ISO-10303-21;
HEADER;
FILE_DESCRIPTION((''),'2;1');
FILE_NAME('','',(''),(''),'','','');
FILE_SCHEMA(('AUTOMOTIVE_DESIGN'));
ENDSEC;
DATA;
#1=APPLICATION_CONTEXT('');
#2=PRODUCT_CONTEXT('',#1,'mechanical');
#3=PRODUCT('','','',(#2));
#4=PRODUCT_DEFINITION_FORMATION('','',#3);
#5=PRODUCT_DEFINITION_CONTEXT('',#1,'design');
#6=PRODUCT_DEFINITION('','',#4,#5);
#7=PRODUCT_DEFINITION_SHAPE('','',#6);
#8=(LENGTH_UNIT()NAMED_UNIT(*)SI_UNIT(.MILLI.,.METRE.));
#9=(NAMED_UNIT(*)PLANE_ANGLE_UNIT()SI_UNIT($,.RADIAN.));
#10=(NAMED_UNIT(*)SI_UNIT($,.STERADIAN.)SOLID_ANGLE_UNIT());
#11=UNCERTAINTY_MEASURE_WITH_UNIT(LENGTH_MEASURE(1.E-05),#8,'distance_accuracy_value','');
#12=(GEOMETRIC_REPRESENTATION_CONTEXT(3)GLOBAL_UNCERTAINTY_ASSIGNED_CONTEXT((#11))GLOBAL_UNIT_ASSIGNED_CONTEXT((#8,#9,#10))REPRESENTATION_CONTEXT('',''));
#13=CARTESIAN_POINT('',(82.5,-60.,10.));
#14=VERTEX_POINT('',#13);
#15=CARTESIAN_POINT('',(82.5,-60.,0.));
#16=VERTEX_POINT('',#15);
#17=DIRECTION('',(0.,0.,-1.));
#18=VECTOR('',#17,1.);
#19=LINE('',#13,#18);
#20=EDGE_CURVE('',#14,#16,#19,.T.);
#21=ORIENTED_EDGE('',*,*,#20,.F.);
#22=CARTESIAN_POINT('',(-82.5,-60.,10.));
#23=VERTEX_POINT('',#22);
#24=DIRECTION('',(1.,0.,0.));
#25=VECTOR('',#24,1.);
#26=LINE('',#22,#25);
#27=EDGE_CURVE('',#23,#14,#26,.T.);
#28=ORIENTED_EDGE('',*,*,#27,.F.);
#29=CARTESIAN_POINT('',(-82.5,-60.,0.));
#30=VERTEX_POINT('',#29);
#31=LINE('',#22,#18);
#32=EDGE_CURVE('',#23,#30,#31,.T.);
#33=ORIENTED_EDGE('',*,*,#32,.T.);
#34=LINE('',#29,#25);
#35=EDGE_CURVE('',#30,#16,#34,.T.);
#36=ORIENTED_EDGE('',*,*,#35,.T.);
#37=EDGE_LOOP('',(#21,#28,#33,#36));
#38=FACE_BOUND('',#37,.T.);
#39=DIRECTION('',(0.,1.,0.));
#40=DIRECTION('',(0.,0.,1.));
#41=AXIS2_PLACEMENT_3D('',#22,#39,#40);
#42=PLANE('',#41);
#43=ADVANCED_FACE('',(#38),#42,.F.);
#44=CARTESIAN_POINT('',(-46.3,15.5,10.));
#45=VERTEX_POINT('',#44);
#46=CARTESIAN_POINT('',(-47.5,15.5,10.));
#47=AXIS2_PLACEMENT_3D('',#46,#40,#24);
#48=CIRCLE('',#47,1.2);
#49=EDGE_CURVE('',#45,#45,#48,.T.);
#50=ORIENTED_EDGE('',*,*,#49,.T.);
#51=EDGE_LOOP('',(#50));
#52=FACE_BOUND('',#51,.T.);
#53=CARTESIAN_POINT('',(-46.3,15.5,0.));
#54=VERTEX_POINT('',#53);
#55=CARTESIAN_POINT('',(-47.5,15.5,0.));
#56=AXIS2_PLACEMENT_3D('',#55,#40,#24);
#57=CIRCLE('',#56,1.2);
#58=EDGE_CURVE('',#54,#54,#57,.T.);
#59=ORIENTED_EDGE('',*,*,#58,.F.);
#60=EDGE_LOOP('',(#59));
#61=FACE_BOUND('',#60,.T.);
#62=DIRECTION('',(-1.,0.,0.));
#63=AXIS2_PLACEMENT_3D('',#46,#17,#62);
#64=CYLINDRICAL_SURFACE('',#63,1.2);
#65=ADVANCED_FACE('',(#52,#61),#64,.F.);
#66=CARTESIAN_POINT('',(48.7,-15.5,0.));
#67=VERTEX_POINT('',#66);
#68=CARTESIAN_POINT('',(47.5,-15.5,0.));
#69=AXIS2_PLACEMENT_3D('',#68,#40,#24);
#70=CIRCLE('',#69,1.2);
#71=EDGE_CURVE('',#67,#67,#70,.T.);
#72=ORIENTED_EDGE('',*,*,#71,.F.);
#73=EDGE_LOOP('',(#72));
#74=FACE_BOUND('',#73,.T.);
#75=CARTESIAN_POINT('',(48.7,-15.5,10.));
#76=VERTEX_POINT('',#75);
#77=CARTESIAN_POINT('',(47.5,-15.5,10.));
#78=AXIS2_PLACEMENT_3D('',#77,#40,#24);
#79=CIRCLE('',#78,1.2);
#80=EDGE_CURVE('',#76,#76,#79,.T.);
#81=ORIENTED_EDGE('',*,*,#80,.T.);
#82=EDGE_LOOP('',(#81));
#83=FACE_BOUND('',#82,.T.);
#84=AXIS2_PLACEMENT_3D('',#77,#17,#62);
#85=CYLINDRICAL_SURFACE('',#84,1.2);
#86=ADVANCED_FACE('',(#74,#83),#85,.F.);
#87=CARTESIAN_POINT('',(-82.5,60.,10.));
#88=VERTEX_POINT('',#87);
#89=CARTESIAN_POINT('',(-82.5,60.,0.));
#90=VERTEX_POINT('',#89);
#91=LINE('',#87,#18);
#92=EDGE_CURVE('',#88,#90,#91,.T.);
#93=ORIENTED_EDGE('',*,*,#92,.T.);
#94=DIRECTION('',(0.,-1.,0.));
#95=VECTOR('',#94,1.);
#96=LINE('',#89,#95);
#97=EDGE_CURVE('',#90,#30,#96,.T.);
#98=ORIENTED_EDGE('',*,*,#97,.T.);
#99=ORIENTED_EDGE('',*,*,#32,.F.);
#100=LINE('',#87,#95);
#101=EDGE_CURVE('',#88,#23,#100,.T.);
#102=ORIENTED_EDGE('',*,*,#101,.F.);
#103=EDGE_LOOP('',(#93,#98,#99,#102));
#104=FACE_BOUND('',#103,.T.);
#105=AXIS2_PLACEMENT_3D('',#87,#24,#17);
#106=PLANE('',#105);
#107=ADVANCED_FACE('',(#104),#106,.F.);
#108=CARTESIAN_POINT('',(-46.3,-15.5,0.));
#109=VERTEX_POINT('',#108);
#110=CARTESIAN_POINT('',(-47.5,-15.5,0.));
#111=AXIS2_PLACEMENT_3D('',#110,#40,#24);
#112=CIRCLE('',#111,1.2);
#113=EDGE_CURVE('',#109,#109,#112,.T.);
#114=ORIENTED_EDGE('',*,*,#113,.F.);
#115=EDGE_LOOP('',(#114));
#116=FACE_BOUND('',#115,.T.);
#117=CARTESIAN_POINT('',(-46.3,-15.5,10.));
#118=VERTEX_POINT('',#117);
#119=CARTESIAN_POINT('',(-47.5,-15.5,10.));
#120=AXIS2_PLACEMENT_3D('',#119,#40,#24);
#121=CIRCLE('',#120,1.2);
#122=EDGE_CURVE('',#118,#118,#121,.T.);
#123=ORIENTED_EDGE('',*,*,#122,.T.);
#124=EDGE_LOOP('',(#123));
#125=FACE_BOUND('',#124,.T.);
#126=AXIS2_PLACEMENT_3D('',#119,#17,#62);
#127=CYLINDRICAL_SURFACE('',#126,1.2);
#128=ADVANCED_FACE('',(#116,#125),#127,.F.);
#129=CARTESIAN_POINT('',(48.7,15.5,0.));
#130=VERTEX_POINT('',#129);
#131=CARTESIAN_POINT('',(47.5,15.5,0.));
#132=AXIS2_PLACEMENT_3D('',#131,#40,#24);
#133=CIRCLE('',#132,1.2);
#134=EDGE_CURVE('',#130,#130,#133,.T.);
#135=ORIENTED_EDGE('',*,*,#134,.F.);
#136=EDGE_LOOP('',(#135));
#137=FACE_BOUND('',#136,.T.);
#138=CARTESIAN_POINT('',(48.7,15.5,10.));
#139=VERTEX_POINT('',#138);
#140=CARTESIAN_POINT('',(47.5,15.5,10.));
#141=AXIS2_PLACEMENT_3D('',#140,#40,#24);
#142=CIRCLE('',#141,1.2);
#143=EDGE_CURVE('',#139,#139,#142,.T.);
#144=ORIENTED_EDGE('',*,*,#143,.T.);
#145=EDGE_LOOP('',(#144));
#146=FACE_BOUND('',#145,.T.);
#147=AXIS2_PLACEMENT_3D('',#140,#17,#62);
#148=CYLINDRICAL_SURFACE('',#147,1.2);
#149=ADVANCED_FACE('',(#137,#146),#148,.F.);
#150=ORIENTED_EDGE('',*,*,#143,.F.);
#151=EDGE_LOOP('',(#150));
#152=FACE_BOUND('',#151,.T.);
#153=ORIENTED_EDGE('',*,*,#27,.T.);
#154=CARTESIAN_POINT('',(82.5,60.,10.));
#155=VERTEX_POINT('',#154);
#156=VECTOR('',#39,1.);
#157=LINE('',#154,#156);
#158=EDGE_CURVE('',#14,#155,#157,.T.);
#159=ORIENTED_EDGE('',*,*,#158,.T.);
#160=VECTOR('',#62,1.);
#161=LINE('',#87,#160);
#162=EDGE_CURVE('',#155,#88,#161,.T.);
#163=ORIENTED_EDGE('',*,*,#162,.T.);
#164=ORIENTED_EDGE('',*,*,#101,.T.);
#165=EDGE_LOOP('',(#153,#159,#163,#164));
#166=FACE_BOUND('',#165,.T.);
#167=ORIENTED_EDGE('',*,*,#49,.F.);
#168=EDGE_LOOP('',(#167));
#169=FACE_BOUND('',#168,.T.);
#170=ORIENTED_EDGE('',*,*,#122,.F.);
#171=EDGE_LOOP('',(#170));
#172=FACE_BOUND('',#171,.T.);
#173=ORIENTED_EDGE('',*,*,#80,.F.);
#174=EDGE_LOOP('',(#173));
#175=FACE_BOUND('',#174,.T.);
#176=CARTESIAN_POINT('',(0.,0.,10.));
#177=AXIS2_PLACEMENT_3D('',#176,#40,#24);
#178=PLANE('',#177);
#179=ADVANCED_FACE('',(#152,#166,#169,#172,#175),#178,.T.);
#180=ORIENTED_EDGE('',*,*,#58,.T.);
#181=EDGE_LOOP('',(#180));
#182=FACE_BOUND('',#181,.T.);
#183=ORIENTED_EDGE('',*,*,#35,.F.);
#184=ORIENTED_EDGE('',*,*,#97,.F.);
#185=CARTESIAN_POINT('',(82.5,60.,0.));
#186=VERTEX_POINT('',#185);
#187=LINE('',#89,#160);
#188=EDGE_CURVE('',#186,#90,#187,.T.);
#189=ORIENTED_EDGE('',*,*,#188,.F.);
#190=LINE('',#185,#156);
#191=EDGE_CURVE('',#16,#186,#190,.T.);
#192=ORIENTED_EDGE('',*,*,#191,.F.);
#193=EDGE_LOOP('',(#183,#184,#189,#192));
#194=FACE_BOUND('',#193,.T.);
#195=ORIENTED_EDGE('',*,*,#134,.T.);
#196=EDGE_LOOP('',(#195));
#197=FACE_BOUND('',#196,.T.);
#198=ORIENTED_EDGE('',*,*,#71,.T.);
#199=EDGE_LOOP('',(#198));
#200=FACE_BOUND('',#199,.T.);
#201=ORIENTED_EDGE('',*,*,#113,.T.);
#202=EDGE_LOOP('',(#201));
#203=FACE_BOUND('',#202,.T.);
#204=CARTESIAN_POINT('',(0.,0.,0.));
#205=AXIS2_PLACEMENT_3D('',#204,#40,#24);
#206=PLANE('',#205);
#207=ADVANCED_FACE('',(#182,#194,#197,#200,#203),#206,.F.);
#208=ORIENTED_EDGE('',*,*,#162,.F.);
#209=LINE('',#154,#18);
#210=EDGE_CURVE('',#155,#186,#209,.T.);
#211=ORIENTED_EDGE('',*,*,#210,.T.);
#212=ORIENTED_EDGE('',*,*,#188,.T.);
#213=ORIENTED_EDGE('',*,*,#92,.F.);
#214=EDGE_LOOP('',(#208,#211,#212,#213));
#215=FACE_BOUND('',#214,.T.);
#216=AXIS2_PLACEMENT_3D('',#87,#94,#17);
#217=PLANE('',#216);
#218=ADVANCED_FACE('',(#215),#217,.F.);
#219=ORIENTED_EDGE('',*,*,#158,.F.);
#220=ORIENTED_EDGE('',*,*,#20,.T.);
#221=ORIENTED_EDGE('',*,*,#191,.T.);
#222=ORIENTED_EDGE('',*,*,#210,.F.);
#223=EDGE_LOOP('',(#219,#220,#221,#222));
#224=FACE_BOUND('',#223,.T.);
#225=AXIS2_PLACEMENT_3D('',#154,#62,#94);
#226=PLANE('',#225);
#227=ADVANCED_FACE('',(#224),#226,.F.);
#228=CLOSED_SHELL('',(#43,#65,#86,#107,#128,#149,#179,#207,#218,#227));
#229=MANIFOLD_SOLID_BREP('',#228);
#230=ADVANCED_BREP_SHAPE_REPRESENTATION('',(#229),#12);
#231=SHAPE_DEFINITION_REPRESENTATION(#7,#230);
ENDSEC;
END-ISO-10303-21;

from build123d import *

# Parameters (mm, degrees)
SKETCH1_W           = 165
SKETCH1_H           = 120
SKETCH1_R           = 1.2
BOSS_EXTRUDE1_DEPTH = 10


with BuildPart() as part:
    # Sketch1 → Boss-Extrude1 (new body)
    with BuildSketch(Plane.XY):
        Rectangle(SKETCH1_W, SKETCH1_H)
        with Locations((-47.5, 15.5)):
            Circle(SKETCH1_R, mode=Mode.SUBTRACT)
        with Locations((-47.5, -15.5)):
            Circle(SKETCH1_R, mode=Mode.SUBTRACT)
        with Locations((47.5, -15.5)):
            Circle(SKETCH1_R, mode=Mode.SUBTRACT)
        with Locations((47.5, 15.5)):
            Circle(SKETCH1_R, mode=Mode.SUBTRACT)
    extrude(amount=BOSS_EXTRUDE1_DEPTH)


solid = part.part
